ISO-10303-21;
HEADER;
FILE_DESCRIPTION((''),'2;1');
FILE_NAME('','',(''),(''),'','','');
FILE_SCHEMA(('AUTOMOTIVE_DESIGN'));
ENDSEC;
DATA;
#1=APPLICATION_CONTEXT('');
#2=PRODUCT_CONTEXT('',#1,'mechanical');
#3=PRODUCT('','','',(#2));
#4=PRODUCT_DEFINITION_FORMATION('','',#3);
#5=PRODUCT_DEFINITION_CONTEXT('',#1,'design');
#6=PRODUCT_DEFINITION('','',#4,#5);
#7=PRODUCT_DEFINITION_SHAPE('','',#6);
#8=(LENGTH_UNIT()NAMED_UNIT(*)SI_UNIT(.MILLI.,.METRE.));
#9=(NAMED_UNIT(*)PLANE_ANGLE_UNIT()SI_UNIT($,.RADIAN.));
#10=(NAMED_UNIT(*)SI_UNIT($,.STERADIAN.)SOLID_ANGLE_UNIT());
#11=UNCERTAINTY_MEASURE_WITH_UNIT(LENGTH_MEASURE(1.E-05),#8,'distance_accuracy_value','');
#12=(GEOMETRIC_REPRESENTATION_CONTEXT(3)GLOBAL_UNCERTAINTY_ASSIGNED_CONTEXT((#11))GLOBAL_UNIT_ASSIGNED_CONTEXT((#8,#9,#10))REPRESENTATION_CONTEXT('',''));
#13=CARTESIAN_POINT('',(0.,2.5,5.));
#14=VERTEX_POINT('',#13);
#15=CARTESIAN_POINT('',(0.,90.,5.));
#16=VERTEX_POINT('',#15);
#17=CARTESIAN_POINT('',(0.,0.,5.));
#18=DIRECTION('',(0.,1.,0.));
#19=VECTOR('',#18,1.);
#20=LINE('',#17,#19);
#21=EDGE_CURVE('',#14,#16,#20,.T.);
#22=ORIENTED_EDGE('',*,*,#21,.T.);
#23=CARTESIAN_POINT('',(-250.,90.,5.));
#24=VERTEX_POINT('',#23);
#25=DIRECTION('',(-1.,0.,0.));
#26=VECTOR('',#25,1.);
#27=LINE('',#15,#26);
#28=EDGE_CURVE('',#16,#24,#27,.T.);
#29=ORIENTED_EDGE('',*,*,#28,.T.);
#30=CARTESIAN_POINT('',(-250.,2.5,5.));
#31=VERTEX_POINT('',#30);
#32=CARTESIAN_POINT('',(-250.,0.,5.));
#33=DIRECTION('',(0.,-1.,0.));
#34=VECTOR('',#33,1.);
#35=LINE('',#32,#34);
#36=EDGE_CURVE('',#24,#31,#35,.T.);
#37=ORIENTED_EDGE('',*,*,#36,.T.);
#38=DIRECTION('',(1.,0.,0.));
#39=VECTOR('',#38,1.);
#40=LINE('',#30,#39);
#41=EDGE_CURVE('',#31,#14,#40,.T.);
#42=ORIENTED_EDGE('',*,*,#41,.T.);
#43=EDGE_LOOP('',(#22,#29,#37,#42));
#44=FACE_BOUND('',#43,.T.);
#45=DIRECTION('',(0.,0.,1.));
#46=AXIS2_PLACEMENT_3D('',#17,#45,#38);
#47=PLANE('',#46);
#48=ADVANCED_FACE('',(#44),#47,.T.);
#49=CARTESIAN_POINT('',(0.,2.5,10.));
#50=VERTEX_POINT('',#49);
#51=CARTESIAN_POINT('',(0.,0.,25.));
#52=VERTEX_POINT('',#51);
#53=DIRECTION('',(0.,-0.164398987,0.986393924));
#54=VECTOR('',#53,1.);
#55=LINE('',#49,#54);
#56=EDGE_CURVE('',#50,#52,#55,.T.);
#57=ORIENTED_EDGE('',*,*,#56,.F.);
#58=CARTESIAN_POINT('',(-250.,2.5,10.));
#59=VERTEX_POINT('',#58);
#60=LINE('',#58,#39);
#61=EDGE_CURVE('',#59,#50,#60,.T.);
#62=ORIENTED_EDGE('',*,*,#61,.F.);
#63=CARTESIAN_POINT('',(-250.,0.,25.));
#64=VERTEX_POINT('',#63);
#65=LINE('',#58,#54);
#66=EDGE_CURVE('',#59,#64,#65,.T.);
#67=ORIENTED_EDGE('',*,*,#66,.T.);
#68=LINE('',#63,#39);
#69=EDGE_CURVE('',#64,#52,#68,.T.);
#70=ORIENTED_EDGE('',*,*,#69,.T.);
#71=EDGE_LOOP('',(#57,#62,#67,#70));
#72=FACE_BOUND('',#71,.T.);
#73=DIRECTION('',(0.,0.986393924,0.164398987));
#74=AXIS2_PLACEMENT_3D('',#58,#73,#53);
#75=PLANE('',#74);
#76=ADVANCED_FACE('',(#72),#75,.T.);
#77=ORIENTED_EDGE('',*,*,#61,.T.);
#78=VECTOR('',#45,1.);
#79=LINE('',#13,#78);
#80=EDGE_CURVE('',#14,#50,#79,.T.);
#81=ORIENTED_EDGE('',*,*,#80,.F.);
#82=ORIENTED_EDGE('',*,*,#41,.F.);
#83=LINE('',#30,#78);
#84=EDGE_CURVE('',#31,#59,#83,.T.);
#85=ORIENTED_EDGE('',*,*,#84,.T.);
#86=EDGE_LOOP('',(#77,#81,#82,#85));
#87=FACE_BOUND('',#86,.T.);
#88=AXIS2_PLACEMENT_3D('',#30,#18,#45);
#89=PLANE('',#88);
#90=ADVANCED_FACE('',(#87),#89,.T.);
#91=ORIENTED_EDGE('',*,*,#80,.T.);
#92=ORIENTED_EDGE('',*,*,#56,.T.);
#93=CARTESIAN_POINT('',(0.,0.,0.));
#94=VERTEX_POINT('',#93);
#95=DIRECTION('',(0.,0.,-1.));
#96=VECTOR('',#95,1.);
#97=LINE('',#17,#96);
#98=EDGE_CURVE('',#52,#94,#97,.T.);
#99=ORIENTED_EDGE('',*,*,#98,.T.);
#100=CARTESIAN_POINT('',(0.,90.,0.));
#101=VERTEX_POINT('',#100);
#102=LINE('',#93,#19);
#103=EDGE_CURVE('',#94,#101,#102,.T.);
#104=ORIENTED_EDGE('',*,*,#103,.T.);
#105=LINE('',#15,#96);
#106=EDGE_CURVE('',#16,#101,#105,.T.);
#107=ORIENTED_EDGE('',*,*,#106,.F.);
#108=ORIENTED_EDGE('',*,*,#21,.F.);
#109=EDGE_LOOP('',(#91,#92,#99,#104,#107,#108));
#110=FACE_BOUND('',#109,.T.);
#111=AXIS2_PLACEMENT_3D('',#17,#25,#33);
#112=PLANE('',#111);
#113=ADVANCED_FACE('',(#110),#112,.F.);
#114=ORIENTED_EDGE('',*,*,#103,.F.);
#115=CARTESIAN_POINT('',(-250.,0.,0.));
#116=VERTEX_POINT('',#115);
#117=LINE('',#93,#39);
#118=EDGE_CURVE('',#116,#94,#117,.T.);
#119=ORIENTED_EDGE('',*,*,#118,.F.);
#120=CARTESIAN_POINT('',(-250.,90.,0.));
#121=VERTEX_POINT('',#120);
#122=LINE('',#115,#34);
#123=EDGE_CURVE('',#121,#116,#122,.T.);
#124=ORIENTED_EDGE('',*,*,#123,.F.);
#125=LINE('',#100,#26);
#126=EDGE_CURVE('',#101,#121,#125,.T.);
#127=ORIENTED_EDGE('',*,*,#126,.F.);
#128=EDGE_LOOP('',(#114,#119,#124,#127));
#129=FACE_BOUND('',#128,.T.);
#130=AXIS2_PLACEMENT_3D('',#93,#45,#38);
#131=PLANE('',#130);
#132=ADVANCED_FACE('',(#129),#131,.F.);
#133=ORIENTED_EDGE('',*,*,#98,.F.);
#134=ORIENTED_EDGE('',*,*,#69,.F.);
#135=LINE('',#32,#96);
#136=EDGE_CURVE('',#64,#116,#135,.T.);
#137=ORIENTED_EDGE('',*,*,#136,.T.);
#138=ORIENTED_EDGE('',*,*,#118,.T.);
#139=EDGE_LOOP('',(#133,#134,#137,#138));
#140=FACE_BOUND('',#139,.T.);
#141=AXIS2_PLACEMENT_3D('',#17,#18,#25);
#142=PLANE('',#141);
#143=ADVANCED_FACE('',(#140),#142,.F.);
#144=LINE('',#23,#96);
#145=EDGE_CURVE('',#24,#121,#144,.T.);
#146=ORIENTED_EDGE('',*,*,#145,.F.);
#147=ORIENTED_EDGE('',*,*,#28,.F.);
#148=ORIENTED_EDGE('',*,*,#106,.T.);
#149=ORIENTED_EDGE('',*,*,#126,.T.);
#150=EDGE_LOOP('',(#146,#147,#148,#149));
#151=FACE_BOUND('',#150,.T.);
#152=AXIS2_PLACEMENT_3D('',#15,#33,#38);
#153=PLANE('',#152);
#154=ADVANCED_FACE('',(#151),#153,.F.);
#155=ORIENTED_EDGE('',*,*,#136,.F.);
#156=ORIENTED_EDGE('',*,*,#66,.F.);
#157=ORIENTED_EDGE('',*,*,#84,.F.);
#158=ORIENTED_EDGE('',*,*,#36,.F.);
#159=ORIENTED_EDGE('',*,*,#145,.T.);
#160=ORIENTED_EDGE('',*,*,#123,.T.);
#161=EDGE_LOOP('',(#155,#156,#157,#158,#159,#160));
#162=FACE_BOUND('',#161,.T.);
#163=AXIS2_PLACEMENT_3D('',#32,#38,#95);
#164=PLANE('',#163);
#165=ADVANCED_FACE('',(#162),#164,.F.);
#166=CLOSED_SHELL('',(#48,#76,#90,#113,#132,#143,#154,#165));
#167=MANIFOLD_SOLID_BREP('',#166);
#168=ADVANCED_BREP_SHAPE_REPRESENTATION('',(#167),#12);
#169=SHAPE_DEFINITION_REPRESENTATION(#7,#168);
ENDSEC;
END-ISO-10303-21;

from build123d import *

# Parameters (mm, degrees)
ESQUISSE1_W        = 250
ESQUISSE1_H        = 90
BOSS_EXTRU_1_DEPTH = 5
BOSS_EXTRU_2_DEPTH = 250


with BuildPart() as part:
    # Esquisse1 → Boss.-Extru.1 (new body)
    with BuildSketch(Plane.XY):
        with Locations((-125, 45)):
            Rectangle(ESQUISSE1_W, ESQUISSE1_H)
    extrude(amount=BOSS_EXTRU_1_DEPTH)

    # Esquisse2 → Boss.-Extru.2 (add)
    with BuildSketch(Plane(origin=(0, 0, 0), x_dir=(0, 0, -1), z_dir=(1, 0, 0))):
        Polygon((-5, 0), (-25, 0), (-10, 2.5), (-5, 2.5), align=None)
    extrude(amount=-BOSS_EXTRU_2_DEPTH)


solid = part.part
